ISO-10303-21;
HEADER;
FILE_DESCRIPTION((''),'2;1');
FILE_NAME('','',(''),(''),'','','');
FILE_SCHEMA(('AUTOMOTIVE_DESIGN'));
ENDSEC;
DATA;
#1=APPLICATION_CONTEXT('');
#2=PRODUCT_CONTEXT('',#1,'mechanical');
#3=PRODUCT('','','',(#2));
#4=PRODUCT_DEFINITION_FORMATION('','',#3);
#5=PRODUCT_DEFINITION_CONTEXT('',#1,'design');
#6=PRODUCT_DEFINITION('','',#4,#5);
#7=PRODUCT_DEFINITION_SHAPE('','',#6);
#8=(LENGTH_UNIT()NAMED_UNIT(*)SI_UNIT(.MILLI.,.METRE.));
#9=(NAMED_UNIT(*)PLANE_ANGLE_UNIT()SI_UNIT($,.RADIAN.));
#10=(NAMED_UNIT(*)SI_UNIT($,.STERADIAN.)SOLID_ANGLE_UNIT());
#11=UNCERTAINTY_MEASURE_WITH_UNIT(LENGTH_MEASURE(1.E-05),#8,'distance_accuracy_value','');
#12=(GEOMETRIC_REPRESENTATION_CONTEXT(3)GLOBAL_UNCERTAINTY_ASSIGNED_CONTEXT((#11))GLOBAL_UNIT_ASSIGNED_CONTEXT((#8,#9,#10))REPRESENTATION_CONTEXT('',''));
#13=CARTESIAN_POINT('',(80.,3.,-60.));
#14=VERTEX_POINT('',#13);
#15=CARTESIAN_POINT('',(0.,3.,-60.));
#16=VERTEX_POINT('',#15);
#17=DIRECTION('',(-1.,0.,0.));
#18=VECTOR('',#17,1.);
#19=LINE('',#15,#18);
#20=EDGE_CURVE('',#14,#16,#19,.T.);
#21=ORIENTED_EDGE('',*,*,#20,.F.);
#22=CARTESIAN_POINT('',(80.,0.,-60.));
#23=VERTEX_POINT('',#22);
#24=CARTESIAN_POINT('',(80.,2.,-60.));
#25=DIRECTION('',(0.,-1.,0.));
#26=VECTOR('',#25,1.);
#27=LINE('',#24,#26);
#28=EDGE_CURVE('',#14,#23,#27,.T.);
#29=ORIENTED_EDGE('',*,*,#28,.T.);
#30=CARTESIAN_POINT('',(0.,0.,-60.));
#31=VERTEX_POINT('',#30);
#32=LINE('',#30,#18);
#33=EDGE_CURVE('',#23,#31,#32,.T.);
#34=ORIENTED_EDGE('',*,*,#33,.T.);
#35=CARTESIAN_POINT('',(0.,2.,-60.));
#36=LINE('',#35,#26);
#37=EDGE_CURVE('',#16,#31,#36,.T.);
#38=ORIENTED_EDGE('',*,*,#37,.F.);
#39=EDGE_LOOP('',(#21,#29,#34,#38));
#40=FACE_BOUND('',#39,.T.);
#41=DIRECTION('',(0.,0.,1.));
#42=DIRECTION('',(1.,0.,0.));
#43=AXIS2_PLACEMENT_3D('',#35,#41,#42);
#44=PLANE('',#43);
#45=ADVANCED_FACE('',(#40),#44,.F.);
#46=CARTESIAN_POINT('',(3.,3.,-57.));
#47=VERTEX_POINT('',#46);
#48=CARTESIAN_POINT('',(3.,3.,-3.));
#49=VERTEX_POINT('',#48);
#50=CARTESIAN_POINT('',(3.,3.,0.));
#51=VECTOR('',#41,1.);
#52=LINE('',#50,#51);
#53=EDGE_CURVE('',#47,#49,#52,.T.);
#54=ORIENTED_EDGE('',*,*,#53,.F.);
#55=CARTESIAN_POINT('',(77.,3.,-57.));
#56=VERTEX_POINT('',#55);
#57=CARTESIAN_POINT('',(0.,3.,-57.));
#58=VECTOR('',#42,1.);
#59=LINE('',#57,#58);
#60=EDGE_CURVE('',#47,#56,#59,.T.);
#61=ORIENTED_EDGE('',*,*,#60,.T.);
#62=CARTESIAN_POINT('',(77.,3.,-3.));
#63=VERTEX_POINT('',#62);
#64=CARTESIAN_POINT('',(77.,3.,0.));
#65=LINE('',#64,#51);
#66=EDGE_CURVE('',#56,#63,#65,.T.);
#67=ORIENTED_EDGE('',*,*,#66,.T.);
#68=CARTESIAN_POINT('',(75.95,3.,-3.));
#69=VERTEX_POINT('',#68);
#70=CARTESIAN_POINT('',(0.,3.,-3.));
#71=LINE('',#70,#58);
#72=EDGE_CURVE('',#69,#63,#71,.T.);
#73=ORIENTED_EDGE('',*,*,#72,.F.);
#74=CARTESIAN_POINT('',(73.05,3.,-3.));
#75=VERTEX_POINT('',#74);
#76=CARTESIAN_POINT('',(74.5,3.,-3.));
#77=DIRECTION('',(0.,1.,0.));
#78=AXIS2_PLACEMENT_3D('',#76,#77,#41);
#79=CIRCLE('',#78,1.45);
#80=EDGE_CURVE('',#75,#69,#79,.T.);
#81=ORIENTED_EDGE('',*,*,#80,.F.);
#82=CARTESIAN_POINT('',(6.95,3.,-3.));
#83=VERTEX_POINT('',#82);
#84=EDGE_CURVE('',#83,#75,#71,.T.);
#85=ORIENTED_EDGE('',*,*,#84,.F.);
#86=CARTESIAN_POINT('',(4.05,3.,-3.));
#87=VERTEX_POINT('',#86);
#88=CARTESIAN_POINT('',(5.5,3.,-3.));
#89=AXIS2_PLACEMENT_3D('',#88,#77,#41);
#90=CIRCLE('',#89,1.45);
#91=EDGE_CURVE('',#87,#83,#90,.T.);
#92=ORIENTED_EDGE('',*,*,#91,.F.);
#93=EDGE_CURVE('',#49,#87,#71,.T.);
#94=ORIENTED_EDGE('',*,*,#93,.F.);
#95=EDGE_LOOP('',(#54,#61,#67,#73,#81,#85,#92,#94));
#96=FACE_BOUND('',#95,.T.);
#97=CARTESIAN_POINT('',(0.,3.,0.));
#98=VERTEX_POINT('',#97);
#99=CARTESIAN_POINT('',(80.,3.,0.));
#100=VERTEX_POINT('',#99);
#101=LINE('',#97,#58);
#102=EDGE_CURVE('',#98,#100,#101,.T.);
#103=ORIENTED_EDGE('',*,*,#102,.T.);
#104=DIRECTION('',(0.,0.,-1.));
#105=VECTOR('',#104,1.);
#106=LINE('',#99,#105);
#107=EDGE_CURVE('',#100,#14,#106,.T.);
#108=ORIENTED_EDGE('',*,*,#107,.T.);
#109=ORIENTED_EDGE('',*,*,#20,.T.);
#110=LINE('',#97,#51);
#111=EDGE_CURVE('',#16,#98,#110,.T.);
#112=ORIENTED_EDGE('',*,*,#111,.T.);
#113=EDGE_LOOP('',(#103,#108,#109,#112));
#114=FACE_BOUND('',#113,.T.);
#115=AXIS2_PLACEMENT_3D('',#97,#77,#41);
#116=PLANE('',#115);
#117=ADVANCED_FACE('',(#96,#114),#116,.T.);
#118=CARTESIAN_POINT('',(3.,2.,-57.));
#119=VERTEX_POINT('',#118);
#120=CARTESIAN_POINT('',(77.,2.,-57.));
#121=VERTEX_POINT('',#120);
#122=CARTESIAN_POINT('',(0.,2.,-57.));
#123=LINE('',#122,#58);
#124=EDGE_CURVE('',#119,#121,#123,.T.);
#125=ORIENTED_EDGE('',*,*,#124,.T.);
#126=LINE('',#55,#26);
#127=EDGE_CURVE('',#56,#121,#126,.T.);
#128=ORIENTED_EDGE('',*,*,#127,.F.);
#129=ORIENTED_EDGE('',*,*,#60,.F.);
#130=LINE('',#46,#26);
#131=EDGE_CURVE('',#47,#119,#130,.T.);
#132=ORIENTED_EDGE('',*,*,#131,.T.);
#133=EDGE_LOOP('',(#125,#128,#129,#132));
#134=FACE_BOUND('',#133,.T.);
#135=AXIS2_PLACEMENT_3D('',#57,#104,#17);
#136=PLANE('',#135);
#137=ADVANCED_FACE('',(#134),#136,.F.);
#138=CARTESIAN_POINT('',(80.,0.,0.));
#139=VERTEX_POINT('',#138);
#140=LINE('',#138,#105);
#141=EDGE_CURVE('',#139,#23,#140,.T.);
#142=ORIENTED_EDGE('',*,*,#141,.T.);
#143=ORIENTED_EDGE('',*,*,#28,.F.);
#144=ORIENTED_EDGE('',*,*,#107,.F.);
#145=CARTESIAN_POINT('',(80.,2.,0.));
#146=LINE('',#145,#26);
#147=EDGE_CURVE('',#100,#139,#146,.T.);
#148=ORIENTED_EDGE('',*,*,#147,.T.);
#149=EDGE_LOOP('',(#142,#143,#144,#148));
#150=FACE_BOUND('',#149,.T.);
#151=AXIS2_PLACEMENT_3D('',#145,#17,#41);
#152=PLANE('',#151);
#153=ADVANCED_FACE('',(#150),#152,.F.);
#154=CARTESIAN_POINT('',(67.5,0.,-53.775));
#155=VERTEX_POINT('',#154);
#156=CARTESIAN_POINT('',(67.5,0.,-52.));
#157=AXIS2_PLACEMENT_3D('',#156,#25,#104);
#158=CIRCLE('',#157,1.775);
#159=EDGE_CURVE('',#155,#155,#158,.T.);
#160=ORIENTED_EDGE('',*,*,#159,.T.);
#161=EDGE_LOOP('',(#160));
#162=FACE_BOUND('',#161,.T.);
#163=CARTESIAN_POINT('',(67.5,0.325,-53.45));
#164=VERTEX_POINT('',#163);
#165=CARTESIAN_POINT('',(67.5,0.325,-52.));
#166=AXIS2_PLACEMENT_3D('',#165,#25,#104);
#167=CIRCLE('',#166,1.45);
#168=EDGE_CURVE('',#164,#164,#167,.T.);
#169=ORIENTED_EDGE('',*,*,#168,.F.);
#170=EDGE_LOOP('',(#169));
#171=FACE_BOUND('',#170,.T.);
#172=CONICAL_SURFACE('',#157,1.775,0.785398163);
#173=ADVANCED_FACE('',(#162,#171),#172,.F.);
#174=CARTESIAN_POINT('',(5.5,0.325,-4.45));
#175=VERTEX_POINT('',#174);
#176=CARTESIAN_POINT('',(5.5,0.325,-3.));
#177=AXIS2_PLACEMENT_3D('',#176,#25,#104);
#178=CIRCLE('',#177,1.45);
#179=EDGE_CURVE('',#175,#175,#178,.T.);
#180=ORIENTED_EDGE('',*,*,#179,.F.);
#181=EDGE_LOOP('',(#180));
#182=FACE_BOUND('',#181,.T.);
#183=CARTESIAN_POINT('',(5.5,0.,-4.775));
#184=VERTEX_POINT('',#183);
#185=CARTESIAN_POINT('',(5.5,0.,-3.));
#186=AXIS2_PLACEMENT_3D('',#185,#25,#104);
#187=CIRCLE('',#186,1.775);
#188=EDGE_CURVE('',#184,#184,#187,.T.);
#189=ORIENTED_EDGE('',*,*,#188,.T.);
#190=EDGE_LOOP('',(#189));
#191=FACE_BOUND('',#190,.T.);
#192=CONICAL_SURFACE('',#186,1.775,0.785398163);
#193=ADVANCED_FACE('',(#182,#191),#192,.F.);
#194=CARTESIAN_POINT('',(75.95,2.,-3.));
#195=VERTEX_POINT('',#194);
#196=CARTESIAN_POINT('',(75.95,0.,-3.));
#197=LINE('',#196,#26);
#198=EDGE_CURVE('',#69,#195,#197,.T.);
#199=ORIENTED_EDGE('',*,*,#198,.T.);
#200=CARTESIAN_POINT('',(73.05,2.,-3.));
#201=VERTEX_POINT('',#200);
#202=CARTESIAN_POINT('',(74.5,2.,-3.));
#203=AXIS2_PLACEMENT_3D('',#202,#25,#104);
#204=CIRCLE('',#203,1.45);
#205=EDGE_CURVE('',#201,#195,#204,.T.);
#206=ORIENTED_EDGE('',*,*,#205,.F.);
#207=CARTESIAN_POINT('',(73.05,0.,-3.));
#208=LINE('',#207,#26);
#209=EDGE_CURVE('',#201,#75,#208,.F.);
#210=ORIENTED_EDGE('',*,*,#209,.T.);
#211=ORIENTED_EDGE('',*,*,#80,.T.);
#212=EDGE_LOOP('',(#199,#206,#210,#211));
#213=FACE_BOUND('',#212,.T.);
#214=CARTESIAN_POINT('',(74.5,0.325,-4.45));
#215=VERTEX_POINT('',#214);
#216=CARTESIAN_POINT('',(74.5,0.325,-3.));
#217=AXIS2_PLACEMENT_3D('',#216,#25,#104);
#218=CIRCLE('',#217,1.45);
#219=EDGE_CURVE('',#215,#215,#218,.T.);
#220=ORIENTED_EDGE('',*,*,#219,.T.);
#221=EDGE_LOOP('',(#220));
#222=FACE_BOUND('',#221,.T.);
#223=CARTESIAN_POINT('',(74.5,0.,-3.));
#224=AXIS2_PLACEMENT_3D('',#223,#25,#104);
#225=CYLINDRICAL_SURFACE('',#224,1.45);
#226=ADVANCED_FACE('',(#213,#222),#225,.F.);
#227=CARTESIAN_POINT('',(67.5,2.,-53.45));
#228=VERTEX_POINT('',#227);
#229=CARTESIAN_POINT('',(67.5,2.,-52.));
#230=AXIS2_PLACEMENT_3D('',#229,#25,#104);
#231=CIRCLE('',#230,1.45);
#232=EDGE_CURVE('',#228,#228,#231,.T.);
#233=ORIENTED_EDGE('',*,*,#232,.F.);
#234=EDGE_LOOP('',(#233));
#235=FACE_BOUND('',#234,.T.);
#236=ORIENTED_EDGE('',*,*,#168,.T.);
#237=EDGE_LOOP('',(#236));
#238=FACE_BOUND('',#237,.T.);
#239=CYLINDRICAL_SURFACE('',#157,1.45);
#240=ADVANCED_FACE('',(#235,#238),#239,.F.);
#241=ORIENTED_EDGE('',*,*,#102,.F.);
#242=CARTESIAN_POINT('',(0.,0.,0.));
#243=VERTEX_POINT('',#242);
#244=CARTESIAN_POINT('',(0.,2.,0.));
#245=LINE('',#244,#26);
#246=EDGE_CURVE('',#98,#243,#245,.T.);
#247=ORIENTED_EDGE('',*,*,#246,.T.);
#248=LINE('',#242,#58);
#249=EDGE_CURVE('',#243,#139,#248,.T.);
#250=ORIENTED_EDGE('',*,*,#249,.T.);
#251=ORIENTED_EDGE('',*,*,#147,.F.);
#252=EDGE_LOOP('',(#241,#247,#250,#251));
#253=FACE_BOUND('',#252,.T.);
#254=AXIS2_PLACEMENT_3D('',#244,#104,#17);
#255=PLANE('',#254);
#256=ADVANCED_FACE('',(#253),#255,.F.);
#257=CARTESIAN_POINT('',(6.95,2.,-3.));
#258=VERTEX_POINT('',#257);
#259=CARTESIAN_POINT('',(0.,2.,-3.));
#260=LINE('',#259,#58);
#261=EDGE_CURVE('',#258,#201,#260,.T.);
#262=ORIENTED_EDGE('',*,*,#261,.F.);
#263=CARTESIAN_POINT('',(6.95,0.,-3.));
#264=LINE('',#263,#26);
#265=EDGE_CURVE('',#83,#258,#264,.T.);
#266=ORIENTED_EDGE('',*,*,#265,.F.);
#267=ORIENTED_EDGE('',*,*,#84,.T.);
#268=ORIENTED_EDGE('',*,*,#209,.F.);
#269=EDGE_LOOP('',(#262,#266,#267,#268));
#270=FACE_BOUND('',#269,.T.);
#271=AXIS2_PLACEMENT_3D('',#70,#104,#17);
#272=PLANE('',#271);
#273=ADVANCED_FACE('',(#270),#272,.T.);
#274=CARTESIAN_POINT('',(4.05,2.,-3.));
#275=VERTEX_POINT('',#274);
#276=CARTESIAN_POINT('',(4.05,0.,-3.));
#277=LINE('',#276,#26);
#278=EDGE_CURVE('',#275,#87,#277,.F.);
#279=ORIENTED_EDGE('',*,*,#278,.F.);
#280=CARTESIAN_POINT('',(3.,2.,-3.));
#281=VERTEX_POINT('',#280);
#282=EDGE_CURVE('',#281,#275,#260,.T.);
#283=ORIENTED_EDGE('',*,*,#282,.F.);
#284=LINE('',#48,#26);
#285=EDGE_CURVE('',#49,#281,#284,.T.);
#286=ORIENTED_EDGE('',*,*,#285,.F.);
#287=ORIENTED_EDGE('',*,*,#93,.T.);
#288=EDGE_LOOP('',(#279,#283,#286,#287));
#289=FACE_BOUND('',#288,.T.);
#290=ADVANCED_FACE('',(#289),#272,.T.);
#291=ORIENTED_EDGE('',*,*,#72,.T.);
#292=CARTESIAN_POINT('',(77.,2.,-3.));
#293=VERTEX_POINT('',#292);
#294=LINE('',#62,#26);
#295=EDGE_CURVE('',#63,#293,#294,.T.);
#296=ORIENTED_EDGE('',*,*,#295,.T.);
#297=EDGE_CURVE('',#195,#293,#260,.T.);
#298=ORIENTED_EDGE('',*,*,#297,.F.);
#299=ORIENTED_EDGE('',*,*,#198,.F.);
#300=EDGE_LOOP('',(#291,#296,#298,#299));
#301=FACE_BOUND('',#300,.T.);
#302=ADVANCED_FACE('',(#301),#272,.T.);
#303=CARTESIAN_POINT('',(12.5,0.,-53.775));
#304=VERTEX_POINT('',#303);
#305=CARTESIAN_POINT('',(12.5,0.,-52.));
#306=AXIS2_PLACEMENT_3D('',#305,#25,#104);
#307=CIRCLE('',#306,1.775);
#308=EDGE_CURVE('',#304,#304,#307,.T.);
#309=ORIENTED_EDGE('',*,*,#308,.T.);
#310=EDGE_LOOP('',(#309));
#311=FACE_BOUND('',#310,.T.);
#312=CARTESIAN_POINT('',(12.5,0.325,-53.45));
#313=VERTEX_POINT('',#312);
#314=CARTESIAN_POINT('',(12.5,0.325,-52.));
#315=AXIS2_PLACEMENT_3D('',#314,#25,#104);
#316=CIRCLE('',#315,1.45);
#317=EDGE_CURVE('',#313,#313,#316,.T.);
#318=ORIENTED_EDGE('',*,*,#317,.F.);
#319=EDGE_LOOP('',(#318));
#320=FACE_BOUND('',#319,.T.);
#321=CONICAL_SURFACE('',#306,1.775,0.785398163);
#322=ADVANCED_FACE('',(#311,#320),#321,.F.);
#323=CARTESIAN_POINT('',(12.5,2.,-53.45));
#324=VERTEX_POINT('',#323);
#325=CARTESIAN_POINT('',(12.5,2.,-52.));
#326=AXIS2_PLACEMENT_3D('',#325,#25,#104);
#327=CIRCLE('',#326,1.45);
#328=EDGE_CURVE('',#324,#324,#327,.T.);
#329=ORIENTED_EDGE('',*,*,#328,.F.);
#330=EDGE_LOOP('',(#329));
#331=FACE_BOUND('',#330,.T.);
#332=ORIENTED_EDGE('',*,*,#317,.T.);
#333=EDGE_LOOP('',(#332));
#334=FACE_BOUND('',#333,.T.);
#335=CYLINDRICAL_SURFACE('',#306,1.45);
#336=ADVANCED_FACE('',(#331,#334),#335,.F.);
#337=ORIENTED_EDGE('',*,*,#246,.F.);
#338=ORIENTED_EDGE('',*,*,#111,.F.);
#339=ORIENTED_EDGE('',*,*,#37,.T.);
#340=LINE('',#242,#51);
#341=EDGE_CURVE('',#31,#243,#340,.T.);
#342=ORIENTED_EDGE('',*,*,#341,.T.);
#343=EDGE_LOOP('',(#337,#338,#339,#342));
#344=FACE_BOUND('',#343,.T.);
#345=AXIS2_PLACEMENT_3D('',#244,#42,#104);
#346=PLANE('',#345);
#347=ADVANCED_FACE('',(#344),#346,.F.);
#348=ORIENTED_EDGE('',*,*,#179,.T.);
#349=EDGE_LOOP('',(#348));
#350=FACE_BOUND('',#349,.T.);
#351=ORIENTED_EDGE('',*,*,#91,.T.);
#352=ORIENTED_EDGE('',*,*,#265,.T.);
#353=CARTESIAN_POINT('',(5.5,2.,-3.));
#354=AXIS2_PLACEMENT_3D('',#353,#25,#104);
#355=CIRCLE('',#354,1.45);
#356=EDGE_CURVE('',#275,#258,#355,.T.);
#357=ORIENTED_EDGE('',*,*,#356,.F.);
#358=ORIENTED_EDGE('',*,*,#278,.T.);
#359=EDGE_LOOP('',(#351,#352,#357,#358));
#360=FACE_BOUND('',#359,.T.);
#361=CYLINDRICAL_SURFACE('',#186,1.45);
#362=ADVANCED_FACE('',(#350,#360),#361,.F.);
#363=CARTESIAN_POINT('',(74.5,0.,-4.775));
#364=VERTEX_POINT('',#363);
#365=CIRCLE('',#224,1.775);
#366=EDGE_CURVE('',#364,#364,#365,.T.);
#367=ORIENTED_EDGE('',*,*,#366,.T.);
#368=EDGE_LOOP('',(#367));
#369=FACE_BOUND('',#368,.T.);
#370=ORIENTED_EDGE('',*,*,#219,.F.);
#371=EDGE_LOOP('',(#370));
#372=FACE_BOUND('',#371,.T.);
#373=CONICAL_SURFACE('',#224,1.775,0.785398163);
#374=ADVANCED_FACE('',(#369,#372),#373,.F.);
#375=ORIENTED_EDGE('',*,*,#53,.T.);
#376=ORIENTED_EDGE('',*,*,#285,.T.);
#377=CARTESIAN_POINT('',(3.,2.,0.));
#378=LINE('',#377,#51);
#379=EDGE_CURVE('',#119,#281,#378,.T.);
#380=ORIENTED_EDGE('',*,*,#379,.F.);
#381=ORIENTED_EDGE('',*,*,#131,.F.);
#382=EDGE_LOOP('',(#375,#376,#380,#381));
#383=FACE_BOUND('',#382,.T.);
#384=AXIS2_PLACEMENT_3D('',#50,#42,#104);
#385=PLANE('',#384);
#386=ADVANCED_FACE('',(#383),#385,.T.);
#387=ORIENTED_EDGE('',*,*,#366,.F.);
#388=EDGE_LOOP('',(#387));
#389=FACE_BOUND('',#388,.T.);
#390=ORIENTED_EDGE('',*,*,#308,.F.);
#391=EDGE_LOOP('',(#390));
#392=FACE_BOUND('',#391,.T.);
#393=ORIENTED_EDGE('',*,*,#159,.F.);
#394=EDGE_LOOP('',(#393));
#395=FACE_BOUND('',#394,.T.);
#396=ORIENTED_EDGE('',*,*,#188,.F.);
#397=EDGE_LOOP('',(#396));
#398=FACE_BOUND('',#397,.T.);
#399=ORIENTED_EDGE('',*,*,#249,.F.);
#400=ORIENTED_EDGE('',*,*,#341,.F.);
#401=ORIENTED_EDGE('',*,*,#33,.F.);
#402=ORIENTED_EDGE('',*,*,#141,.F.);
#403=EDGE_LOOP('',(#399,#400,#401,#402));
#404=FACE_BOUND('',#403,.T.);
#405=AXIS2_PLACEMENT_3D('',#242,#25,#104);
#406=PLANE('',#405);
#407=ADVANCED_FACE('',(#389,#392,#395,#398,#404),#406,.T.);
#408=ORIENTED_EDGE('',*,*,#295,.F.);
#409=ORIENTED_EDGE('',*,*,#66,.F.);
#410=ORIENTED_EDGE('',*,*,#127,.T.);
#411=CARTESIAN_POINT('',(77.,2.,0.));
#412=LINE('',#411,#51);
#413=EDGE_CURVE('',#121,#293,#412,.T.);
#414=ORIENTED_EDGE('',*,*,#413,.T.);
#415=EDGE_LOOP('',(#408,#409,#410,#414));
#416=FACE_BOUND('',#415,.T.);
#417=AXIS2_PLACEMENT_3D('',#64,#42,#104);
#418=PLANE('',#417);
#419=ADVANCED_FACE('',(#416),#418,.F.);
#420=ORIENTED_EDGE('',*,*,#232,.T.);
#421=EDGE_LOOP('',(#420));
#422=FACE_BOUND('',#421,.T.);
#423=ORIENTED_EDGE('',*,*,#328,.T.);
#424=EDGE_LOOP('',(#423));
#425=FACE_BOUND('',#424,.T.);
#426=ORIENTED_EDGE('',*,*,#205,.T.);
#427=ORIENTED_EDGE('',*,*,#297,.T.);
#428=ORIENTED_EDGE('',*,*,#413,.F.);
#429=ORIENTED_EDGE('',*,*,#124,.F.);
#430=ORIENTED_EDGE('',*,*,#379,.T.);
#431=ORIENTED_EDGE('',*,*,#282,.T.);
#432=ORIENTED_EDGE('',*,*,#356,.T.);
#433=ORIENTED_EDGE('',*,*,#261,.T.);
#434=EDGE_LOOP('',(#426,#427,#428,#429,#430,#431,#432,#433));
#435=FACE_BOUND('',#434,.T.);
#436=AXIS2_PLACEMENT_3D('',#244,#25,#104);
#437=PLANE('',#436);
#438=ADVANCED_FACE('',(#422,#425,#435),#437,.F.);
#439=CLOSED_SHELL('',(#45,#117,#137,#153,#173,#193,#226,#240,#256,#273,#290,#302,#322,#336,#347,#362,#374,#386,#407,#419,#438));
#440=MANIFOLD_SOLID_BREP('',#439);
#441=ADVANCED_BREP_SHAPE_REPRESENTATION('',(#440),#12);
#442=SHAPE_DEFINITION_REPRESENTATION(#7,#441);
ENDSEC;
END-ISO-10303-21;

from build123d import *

# Parameters (mm, degrees)
SKETCH_1_W                     = 80
SKETCH_1_H                     = 60
EXTRUDE_1_DEPTH                = 2
SKETCH_2_W                     = 74
SKETCH_2_H                     = 54
EXTRUDE_2_DEPTH                = 1
HOLE_WIZARD_M3_5_1_D           = 2.9
HOLE_WIZARD_M3_5_1_DEPTH       = 8.8
HOLE_WIZARD_M3_5_1_CSINK_D     = 3.55
HOLE_WIZARD_M3_5_1_CSINK_ANGLE = 90
HOLE_WIZARD_M3_5_1_TIP         = 0.871247898


with BuildPart() as part:
    # 草图1 → 凸台-拉伸1 (new body)
    with BuildSketch(Plane(origin=(0, 0, 0), x_dir=(1, 0, 0), z_dir=(0, 1, 0))):
        with Locations((40, 30)):
            Rectangle(SKETCH_1_W, SKETCH_1_H)
    extrude(amount=EXTRUDE_1_DEPTH)

    # 草图2 → 凸台-拉伸2 (add)
    with BuildSketch(Plane(origin=(0, 2, 0), x_dir=(1, 0, 0), z_dir=(0, 1, 0))):
        Polygon((80, 60), (0, 60), (0, 57), (0, 0), (80, 0), align=None)
        with Locations((40, 30)):
            Rectangle(SKETCH_2_W, SKETCH_2_H, mode=Mode.SUBTRACT)
    extrude(amount=EXTRUDE_2_DEPTH)

    # M3.5 螺纹孔1
    with Locations(Plane.XZ):
        with Locations((5.5, -3), (74.5, -3), (12.5, -52), (67.5, -52)):
            CounterSinkHole(HOLE_WIZARD_M3_5_1_D / 2, HOLE_WIZARD_M3_5_1_CSINK_D / 2, depth=HOLE_WIZARD_M3_5_1_DEPTH, counter_sink_angle=HOLE_WIZARD_M3_5_1_CSINK_ANGLE)
            with Locations((0, 0, -(HOLE_WIZARD_M3_5_1_DEPTH + HOLE_WIZARD_M3_5_1_TIP / 2))):  # 118° drill point
                Cone(0, HOLE_WIZARD_M3_5_1_D / 2, HOLE_WIZARD_M3_5_1_TIP, mode=Mode.SUBTRACT)


solid = part.part
